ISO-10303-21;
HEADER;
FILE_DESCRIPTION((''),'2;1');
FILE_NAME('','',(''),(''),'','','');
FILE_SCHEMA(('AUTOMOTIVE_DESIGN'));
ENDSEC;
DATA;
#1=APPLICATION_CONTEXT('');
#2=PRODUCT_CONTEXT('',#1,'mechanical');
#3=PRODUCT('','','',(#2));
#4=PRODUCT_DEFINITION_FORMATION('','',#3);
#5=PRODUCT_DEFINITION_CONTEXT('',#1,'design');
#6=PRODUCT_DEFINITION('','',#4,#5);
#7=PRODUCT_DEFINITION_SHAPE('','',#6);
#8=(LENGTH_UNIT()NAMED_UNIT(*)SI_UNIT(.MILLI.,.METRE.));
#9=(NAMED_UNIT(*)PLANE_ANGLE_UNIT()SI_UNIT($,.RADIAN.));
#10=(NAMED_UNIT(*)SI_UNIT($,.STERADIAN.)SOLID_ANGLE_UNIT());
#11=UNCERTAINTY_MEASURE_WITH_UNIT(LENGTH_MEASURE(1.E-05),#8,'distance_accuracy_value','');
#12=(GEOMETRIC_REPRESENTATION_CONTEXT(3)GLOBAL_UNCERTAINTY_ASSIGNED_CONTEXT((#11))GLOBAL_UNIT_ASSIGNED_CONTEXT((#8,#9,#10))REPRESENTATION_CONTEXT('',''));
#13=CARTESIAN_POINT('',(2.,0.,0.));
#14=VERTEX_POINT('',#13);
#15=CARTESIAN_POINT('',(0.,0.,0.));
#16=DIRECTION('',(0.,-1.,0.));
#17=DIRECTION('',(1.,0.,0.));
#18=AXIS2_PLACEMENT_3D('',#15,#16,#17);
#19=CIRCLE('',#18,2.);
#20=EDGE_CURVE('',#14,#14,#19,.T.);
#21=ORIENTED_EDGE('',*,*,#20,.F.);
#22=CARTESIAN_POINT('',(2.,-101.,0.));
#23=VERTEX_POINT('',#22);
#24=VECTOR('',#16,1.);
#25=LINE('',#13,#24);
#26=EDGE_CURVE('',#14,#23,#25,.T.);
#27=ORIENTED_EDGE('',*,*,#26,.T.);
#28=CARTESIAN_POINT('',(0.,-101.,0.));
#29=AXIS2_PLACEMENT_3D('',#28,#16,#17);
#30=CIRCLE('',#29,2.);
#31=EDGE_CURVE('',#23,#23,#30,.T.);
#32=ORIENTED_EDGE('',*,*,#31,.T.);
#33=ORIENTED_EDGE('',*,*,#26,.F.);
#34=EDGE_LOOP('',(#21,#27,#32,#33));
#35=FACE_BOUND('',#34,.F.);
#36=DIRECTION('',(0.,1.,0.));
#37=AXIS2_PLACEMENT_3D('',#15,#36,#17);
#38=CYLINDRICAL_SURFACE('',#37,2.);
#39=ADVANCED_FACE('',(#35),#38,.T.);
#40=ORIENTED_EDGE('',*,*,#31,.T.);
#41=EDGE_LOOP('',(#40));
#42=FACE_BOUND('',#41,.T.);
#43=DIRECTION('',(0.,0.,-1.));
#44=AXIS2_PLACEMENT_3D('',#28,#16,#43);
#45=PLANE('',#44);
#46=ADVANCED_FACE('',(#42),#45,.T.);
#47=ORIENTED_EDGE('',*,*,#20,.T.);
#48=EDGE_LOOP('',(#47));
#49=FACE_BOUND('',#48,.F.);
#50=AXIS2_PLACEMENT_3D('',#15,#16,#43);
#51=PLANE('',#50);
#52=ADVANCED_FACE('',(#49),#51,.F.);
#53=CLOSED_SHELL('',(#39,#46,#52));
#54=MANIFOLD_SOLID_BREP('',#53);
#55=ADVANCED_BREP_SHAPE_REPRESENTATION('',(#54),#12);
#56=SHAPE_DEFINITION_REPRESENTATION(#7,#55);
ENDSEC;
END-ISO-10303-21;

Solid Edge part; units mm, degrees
sketch "Sketch1" plane through (0, 0, 0) normal (0, -1, 0) x (1, 0, 0)
  circle A0 centre (0, 0) radius 2
extrude "Protrusion1" add sketch "Sketch1" along normal blind 101
cosmetic_thread "Thread1" size "M4"
